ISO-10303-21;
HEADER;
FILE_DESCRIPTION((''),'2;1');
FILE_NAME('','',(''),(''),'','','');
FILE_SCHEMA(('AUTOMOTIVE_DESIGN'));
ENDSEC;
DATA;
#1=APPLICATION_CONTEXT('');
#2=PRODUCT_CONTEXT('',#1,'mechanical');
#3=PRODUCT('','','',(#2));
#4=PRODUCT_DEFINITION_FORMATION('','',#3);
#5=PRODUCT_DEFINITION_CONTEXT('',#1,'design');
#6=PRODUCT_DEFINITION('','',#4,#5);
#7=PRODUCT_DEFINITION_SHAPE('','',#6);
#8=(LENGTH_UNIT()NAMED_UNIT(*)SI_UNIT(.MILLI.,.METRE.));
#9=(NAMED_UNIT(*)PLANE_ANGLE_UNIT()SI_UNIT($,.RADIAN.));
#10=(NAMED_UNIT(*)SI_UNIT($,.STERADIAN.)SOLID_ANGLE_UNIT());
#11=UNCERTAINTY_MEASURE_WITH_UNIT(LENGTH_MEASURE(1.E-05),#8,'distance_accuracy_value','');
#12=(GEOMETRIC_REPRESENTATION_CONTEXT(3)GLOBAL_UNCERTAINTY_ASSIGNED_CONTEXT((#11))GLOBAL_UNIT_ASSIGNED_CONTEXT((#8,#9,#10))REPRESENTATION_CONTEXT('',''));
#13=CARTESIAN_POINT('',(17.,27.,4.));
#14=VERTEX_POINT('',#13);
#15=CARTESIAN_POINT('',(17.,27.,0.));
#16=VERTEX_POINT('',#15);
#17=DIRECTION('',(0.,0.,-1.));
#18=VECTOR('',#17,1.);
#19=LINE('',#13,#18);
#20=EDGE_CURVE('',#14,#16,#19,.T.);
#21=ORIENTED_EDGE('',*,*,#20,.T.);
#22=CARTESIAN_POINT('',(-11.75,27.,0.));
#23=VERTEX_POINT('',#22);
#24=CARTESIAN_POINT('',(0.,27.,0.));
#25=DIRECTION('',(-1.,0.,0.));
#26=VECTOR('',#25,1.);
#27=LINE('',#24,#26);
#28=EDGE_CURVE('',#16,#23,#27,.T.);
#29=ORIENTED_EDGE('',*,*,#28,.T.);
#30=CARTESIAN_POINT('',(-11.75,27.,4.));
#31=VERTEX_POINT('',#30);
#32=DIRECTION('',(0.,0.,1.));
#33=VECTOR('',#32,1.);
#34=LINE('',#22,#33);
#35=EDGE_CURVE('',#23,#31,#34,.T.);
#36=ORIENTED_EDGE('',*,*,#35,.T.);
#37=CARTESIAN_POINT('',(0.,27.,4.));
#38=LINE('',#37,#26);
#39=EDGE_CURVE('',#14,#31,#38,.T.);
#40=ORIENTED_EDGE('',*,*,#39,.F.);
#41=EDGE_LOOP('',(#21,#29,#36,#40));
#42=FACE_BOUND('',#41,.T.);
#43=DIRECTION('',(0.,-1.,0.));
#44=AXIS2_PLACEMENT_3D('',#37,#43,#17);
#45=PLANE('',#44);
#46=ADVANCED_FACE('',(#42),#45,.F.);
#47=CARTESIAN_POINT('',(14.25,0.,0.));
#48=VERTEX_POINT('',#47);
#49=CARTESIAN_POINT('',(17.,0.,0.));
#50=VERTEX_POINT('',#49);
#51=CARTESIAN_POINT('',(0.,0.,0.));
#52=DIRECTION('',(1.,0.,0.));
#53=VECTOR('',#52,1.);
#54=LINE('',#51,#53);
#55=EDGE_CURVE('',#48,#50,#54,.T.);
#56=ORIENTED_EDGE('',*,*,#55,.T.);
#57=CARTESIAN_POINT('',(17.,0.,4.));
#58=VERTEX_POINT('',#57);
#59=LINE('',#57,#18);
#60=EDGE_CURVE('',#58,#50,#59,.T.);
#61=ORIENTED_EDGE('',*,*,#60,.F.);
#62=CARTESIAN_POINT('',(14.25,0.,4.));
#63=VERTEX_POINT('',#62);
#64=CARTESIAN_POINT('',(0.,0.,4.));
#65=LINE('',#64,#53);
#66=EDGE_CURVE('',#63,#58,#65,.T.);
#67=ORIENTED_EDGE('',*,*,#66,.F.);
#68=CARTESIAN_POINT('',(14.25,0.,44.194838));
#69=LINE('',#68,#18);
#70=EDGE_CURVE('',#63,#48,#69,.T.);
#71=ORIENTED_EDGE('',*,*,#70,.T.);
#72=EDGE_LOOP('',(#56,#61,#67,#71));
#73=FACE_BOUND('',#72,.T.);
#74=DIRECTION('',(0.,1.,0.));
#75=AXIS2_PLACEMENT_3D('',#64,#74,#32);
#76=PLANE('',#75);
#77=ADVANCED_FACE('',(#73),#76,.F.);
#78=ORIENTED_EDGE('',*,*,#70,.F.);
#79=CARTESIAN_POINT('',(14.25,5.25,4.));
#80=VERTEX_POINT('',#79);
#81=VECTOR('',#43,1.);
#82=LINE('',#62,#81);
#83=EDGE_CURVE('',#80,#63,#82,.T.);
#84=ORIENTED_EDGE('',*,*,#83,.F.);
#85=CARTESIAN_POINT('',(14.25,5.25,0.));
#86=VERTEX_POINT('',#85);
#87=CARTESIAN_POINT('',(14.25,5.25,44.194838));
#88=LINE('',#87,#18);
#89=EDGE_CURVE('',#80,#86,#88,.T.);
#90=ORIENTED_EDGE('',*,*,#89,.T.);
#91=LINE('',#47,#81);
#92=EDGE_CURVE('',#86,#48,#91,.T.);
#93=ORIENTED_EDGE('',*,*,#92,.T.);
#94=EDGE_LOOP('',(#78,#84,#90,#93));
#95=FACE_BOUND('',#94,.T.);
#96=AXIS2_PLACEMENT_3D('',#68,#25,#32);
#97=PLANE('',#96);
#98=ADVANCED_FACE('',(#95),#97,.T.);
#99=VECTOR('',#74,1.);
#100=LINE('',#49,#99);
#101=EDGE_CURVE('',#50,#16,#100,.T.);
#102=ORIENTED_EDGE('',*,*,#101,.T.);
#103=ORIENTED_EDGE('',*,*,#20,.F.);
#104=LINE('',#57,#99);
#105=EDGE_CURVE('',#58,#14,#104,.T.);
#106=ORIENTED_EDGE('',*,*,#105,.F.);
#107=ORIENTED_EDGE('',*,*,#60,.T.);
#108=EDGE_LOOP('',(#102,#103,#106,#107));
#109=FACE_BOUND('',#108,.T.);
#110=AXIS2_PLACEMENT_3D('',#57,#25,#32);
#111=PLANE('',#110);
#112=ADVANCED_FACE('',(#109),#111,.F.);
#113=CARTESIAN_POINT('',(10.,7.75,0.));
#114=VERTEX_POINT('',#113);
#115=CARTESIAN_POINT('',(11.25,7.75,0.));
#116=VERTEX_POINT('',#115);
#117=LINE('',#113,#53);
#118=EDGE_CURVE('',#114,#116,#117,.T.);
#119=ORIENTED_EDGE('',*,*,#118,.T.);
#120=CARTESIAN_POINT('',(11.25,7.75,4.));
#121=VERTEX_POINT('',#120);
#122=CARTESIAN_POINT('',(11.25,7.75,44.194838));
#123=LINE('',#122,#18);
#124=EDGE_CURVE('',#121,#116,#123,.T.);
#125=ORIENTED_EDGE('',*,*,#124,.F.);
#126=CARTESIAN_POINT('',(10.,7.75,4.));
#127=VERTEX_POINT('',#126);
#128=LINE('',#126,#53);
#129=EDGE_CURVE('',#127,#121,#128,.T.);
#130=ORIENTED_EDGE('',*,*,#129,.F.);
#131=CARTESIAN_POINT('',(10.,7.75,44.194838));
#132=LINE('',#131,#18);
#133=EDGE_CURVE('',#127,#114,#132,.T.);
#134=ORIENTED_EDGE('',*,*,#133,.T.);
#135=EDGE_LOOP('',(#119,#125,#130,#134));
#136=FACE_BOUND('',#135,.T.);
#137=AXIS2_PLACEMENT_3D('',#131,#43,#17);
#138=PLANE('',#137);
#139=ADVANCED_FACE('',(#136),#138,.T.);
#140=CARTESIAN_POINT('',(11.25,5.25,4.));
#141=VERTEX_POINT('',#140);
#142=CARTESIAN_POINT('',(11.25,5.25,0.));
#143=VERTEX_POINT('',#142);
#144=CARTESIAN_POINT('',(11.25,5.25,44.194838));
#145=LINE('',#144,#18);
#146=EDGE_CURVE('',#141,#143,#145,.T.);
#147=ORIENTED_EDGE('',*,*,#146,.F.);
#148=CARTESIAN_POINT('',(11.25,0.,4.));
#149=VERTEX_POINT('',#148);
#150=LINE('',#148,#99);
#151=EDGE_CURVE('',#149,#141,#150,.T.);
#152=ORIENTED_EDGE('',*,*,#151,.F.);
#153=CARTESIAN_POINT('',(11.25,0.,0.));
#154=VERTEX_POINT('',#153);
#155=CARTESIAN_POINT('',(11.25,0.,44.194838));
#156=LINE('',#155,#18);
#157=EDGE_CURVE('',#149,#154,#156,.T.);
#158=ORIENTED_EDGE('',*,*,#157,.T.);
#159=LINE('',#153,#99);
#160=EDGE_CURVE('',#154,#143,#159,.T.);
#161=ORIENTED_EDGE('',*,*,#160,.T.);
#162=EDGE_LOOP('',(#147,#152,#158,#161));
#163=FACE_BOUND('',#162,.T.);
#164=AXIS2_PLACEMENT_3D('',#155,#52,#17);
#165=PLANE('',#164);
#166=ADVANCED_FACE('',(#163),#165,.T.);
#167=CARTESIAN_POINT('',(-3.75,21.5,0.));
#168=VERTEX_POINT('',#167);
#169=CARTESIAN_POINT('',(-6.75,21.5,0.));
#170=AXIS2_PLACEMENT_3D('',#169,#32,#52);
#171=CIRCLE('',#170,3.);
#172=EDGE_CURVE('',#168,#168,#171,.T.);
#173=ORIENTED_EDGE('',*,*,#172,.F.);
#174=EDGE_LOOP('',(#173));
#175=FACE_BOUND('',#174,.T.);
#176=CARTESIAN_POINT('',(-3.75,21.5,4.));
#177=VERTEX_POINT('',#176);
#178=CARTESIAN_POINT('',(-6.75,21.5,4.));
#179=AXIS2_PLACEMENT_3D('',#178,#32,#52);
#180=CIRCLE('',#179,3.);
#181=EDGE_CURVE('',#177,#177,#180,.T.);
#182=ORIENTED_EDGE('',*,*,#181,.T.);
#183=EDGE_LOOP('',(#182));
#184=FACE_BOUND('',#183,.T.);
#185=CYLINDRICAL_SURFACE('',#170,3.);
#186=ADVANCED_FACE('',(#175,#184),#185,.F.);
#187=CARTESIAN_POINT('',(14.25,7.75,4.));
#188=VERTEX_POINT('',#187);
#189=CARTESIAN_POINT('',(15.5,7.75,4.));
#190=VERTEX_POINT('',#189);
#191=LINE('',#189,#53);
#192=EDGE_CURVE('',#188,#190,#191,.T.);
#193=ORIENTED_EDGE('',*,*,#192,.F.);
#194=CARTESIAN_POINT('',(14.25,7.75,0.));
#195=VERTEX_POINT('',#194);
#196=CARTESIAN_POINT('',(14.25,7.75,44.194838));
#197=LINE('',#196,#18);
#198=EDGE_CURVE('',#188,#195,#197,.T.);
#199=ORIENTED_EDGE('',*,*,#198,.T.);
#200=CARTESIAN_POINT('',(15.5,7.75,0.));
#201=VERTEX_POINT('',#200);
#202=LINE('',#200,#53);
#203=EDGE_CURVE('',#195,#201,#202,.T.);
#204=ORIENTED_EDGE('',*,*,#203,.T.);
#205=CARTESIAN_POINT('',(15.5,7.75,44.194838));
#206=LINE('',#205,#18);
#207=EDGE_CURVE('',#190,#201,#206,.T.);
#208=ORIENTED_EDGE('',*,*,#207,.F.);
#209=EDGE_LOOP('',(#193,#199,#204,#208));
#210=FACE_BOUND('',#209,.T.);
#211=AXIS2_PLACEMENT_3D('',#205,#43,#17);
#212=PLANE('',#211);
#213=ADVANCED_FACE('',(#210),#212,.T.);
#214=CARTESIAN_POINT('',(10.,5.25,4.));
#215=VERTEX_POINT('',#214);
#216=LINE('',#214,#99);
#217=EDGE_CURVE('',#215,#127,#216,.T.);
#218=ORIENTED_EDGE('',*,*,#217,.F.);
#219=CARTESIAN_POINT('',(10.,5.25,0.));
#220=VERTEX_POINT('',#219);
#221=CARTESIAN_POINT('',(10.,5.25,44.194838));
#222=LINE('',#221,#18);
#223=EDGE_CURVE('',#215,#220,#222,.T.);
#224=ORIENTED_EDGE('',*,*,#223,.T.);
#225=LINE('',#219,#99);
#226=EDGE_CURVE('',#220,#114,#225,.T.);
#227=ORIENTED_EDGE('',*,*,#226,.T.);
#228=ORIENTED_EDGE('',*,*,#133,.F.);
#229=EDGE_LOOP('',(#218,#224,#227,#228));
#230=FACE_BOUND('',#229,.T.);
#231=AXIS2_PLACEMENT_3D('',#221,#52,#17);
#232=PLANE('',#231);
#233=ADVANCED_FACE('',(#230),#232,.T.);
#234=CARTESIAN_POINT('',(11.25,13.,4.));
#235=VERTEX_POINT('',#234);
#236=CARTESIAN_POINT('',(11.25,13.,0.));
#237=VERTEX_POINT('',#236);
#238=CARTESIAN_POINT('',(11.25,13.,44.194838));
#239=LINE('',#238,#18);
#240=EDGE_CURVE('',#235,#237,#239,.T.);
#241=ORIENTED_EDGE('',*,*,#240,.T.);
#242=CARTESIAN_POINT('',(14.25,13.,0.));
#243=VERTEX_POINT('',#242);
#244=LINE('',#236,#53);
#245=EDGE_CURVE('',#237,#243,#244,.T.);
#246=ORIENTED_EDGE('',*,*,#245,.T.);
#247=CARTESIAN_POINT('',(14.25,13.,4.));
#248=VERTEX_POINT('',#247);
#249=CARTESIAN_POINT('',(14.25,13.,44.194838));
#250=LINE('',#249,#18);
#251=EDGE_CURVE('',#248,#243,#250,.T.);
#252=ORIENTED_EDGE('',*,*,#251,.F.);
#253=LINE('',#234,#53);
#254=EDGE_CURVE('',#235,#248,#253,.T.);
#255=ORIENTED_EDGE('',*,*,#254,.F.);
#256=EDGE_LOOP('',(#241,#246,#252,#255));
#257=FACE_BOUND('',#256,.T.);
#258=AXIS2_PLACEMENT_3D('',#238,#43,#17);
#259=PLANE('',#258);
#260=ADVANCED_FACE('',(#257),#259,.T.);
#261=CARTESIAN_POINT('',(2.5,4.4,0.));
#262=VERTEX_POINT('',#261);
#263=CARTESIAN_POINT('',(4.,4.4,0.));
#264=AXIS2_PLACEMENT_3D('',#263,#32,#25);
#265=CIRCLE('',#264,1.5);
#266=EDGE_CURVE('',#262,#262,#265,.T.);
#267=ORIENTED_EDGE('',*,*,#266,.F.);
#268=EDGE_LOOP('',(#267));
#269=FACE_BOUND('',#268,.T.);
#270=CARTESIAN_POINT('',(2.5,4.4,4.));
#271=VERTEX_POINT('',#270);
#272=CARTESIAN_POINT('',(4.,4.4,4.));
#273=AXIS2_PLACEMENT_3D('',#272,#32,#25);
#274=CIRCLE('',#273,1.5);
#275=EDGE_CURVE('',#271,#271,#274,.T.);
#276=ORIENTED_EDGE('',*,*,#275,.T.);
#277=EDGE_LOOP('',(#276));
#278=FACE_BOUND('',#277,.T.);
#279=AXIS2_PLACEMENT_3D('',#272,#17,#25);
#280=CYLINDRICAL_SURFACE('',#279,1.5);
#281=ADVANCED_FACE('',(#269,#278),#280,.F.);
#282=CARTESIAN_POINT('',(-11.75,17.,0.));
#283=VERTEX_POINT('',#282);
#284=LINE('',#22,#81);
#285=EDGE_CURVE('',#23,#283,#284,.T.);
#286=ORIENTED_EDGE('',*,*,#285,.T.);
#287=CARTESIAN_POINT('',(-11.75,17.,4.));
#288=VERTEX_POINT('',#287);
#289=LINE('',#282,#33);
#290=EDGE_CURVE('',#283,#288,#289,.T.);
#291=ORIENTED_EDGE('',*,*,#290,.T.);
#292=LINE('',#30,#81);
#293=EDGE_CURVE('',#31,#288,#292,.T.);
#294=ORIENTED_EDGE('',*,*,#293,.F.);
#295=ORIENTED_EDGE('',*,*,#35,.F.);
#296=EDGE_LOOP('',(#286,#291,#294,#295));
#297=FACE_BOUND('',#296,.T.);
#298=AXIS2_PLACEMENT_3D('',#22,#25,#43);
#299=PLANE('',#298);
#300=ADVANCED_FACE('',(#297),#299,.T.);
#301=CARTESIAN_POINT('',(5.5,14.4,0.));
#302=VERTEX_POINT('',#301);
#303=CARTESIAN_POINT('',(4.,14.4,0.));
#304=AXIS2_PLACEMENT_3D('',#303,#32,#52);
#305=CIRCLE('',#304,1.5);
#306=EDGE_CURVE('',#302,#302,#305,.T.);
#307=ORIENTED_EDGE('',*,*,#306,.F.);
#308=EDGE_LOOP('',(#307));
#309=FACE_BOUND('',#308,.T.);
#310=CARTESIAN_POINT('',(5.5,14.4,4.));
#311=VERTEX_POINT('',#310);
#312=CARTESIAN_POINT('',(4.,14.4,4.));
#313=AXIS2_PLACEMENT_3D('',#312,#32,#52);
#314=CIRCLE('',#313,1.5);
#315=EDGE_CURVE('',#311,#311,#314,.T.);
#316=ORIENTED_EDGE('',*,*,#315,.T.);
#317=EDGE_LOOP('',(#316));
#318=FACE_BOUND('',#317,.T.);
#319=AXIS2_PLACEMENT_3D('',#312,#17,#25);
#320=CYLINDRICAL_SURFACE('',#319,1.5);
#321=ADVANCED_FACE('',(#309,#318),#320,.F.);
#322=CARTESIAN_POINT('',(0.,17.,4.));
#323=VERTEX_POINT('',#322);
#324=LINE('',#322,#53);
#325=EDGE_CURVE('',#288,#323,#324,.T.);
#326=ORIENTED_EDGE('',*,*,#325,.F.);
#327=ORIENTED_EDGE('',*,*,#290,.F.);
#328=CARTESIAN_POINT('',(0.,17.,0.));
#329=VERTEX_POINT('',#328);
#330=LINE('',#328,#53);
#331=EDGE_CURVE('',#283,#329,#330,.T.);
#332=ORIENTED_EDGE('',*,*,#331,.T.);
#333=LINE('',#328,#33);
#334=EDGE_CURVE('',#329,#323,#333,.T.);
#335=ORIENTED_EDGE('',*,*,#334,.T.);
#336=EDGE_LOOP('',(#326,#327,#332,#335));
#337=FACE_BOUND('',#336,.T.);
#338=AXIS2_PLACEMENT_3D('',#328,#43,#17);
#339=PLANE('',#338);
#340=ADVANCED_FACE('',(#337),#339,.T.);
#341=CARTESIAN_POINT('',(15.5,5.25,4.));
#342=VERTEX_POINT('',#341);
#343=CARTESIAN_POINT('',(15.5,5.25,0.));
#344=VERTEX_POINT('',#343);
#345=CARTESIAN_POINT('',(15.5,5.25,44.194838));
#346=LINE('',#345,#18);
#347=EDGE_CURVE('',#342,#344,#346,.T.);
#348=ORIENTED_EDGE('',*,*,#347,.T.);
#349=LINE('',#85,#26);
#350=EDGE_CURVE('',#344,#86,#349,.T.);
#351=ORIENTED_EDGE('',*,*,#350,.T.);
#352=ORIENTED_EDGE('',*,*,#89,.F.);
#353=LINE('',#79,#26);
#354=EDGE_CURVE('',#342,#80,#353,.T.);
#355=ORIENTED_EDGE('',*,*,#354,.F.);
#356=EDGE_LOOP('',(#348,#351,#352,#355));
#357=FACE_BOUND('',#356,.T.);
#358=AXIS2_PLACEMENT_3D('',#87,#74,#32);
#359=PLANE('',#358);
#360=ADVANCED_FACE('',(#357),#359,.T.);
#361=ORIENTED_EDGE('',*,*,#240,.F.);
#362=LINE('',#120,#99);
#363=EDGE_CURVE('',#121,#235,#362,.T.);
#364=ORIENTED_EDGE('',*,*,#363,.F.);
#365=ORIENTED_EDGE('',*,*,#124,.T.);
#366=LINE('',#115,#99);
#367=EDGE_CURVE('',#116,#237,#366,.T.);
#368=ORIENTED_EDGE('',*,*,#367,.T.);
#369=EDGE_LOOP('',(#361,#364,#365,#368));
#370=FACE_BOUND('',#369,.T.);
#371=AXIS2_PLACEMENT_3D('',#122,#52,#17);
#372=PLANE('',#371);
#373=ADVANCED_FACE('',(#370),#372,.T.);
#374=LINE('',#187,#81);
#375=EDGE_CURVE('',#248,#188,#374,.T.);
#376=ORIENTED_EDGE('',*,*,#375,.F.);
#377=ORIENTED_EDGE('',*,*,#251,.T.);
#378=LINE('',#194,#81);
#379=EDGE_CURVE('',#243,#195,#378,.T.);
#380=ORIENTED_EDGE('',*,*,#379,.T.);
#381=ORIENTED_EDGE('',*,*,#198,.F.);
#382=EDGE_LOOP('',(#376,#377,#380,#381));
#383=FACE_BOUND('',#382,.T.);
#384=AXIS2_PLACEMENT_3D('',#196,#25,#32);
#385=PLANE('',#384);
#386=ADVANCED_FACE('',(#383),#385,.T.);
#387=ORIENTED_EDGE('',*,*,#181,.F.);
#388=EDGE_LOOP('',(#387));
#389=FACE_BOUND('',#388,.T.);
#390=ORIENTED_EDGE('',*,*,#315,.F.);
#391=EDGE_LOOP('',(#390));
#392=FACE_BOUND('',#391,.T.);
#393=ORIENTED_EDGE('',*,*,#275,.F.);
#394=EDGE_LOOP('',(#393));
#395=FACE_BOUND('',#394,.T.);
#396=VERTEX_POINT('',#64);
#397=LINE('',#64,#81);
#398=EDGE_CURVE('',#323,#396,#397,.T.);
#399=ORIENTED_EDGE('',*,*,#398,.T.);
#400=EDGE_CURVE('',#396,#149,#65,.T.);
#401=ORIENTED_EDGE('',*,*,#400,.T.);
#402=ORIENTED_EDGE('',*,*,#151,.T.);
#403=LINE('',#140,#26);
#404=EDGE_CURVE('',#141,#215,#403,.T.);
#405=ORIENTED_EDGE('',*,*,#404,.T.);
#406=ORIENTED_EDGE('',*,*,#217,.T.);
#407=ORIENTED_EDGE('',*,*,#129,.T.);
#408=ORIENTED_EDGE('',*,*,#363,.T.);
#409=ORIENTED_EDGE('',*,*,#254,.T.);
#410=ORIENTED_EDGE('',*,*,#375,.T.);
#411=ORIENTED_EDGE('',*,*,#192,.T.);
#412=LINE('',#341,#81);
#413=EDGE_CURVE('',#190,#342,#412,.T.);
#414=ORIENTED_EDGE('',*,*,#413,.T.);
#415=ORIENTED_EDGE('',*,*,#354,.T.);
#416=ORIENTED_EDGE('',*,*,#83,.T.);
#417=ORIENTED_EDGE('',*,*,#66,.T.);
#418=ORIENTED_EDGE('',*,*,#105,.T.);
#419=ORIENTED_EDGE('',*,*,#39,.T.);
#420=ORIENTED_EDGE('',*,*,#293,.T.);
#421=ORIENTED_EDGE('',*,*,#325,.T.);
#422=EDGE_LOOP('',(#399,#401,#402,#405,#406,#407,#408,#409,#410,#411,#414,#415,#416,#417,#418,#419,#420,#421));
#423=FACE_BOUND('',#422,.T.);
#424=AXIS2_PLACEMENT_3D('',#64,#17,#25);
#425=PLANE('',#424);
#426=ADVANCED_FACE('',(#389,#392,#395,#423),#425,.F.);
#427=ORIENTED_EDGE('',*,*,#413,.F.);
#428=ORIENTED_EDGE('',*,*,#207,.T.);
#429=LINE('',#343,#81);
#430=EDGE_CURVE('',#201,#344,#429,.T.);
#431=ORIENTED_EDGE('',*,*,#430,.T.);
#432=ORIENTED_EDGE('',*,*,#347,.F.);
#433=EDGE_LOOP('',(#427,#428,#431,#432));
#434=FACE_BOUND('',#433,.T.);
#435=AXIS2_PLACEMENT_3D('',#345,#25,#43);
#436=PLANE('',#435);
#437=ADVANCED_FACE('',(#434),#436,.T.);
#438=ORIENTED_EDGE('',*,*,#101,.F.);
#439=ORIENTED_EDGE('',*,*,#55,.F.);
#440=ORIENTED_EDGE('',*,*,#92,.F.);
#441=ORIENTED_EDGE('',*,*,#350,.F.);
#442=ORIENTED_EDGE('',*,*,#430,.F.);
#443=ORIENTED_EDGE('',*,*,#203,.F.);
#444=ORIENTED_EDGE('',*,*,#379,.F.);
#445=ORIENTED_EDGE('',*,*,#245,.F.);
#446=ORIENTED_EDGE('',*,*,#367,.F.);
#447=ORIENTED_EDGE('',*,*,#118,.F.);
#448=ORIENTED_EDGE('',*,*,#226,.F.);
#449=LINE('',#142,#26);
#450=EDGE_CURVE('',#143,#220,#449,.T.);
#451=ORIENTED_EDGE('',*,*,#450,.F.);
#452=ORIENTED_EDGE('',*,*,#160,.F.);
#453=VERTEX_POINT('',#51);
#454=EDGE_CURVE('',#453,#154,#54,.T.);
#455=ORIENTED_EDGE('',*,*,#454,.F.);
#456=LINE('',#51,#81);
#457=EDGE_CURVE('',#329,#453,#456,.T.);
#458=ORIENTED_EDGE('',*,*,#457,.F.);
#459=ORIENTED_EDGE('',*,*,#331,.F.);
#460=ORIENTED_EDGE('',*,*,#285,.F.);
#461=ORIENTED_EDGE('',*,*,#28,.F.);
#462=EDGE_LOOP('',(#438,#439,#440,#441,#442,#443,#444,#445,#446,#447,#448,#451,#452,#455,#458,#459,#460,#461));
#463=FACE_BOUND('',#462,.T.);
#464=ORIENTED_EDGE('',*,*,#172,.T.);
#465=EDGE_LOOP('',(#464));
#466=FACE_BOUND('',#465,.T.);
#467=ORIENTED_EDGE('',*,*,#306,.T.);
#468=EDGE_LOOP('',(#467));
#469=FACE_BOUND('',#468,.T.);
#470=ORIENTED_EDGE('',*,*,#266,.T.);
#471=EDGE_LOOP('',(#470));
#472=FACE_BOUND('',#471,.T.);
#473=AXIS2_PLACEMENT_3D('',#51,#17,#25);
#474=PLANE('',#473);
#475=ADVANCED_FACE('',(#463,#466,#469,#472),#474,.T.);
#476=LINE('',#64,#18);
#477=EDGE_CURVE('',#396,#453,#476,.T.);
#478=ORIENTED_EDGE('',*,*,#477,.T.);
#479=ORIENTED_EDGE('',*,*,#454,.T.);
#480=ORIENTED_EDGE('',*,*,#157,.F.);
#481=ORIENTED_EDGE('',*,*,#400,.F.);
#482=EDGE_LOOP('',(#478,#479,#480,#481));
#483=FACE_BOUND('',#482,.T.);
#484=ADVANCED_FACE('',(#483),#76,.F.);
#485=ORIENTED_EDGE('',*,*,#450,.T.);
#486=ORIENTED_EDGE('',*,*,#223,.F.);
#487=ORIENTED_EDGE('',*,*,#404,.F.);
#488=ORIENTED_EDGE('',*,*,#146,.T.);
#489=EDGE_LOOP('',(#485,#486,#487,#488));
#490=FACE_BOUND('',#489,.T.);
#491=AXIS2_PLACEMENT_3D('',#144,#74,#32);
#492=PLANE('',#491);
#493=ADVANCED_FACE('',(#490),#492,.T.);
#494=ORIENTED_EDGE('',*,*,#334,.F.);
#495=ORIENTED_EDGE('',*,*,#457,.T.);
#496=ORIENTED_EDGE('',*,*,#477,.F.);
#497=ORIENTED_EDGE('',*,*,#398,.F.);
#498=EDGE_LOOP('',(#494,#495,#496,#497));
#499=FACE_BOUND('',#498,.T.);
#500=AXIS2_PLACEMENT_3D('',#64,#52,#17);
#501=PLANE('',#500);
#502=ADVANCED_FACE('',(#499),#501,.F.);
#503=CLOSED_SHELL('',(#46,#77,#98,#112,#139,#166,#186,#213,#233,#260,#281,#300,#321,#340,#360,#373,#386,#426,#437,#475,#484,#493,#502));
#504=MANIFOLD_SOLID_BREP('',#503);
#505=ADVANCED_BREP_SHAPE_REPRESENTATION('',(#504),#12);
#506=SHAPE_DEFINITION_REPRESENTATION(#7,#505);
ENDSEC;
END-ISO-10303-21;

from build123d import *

# Parameters (mm, degrees)
SKETCH_1_W               = 17
SKETCH_1_H               = 27
SKETCH_1_R               = 1.5
EXTRUDE_1_DEPTH          = 4
CUT_EXTRUDE_1_DEPTH      = 1
CUT_EXTRUDE_1_DEPTH_BACK = 4
SKETCH_5_W               = 11.75
SKETCH_5_H               = 10
SKETCH_5_R               = 3
EXTRUDE_2_DEPTH          = 4


with BuildPart() as part:
    # Эскиз1 → Бобышка-Вытянуть1 (new body)
    with BuildSketch(Plane.XY):
        with Locations((8.5, 13.5)):
            Rectangle(SKETCH_1_W, SKETCH_1_H)
        with Locations((4, 14.4)):
            Circle(SKETCH_1_R, mode=Mode.SUBTRACT)
        with Locations((4, 4.4)):
            Circle(SKETCH_1_R, mode=Mode.SUBTRACT)
    extrude(amount=EXTRUDE_1_DEPTH)

    # Эскиз2 → Вырез-Вытянуть1 (cut, two sides)
    with BuildSketch(Plane.XY.offset(4)) as cut_extrude_1_sk:
        Polygon((11.25, 5.25), (11.25, 0), (14.25, 0), (14.25, 5.25), (15.5, 5.25), (15.5, 7.75), (14.25, 7.75), (14.25, 13), (11.25, 13), (11.25, 7.75), (10, 7.75), (10, 5.25), align=None)
    extrude(amount=CUT_EXTRUDE_1_DEPTH, mode=Mode.SUBTRACT)
    extrude(cut_extrude_1_sk.sketch, amount=-CUT_EXTRUDE_1_DEPTH_BACK, mode=Mode.SUBTRACT)

    # Эскиз5 → Бобышка-Вытянуть2 (add)
    with BuildSketch(Plane.XY.offset(4)):
        with Locations((-5.875, 22)):
            Rectangle(SKETCH_5_W, SKETCH_5_H)
        with Locations((-6.75, 21.5)):
            Circle(SKETCH_5_R, mode=Mode.SUBTRACT)
    extrude(amount=-EXTRUDE_2_DEPTH)


solid = part.part
